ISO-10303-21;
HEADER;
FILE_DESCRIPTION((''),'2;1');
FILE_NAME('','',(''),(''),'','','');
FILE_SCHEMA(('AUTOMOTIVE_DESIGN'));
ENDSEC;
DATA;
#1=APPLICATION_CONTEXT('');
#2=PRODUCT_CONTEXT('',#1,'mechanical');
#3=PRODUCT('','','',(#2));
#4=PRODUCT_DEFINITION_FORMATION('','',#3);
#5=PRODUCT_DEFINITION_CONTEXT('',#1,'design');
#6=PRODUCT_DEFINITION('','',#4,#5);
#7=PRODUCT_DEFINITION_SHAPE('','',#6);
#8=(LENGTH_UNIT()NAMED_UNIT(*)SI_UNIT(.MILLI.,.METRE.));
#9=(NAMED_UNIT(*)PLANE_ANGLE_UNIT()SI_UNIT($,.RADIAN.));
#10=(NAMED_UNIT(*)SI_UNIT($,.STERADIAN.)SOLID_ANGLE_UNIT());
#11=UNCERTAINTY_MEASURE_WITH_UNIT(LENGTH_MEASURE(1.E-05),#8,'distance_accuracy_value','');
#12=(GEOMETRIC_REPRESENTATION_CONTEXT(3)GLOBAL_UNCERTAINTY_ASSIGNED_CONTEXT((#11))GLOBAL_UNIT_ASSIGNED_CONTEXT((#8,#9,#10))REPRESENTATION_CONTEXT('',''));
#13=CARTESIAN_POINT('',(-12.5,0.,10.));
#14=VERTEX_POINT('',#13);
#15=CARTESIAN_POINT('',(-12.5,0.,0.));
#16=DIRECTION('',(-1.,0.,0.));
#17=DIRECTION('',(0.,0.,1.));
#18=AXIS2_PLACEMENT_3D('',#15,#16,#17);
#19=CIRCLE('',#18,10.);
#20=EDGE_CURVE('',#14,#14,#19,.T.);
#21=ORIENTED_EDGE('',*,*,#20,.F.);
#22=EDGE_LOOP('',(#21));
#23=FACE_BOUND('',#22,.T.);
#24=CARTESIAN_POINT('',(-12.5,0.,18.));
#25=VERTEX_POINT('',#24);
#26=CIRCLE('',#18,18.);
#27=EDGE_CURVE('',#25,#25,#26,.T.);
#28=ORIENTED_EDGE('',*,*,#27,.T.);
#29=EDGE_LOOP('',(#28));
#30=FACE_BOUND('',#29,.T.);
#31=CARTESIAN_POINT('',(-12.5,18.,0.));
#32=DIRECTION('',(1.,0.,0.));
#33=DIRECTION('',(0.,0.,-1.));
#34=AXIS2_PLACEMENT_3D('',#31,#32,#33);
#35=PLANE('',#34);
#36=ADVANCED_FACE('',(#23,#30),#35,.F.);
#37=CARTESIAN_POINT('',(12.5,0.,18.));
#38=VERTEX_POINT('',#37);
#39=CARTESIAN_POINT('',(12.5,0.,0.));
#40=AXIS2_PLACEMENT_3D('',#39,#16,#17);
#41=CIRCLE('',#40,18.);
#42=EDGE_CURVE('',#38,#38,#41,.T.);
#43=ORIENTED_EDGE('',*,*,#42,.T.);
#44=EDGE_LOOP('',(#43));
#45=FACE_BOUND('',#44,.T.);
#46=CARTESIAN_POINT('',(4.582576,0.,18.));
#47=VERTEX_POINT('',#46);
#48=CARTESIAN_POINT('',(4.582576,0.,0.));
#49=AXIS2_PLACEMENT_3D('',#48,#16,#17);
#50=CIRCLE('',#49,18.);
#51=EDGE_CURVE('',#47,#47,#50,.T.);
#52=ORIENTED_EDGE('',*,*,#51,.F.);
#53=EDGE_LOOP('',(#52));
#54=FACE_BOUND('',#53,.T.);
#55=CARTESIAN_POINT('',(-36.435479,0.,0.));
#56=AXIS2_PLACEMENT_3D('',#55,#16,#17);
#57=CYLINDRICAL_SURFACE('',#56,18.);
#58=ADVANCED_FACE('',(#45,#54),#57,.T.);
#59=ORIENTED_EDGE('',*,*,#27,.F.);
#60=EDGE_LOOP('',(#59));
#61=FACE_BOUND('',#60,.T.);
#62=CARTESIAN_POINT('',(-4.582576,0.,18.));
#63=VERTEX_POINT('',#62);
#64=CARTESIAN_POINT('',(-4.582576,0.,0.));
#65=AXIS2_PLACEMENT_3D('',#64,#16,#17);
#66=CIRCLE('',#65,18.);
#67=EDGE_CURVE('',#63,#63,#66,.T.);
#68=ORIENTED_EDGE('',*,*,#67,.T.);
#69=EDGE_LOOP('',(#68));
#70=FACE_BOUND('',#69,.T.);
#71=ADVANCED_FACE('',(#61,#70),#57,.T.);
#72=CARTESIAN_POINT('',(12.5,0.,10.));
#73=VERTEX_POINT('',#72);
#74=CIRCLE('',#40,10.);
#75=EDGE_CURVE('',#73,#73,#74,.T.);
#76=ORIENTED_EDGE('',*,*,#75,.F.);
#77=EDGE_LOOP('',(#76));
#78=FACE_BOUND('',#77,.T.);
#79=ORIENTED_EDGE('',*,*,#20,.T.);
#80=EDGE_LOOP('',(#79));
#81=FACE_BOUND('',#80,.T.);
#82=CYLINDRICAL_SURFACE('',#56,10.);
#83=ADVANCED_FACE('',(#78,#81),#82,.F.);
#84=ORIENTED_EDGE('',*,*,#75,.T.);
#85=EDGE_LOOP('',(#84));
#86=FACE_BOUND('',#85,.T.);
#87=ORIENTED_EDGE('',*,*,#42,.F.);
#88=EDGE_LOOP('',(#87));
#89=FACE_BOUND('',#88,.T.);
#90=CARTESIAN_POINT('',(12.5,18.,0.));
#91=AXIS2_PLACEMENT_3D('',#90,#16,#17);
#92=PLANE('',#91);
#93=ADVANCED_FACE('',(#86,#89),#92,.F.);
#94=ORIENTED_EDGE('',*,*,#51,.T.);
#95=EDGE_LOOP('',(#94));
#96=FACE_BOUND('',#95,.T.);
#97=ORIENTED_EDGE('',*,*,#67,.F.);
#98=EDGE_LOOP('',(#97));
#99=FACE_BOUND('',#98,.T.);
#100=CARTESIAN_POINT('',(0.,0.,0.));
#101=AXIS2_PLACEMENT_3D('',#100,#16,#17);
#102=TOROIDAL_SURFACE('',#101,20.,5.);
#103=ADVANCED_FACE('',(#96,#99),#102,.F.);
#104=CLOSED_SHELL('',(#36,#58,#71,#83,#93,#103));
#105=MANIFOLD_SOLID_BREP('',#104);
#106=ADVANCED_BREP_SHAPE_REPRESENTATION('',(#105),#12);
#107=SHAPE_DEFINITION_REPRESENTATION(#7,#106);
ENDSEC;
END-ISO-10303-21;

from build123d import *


with BuildPart() as part:
    # Esquisse1 → Révolution2 (revolve)
    with BuildSketch(Plane.XY, mode=Mode.PRIVATE) as r_volution2_sk:
        with BuildLine():
            Line((4.582575695, 18), (12.5, 18))
            Line((12.5, 18), (12.5, 10))
            Line((12.5, 10), (-12.5, 10))
            Line((-12.5, 10), (-12.5, 18))
            Line((-12.5, 18), (-4.582575695, 18))
            ThreePointArc((-4.582575695, 18), (0, 15), (4.582575695, 18))
        make_face()
    revolve(r_volution2_sk.sketch.rotate(Axis((-36.435479179, 0, 0), (1, 0, 0)), 90), axis=Axis((-36.435479179, 0, 0), (1, 0, 0)))


solid = part.part
